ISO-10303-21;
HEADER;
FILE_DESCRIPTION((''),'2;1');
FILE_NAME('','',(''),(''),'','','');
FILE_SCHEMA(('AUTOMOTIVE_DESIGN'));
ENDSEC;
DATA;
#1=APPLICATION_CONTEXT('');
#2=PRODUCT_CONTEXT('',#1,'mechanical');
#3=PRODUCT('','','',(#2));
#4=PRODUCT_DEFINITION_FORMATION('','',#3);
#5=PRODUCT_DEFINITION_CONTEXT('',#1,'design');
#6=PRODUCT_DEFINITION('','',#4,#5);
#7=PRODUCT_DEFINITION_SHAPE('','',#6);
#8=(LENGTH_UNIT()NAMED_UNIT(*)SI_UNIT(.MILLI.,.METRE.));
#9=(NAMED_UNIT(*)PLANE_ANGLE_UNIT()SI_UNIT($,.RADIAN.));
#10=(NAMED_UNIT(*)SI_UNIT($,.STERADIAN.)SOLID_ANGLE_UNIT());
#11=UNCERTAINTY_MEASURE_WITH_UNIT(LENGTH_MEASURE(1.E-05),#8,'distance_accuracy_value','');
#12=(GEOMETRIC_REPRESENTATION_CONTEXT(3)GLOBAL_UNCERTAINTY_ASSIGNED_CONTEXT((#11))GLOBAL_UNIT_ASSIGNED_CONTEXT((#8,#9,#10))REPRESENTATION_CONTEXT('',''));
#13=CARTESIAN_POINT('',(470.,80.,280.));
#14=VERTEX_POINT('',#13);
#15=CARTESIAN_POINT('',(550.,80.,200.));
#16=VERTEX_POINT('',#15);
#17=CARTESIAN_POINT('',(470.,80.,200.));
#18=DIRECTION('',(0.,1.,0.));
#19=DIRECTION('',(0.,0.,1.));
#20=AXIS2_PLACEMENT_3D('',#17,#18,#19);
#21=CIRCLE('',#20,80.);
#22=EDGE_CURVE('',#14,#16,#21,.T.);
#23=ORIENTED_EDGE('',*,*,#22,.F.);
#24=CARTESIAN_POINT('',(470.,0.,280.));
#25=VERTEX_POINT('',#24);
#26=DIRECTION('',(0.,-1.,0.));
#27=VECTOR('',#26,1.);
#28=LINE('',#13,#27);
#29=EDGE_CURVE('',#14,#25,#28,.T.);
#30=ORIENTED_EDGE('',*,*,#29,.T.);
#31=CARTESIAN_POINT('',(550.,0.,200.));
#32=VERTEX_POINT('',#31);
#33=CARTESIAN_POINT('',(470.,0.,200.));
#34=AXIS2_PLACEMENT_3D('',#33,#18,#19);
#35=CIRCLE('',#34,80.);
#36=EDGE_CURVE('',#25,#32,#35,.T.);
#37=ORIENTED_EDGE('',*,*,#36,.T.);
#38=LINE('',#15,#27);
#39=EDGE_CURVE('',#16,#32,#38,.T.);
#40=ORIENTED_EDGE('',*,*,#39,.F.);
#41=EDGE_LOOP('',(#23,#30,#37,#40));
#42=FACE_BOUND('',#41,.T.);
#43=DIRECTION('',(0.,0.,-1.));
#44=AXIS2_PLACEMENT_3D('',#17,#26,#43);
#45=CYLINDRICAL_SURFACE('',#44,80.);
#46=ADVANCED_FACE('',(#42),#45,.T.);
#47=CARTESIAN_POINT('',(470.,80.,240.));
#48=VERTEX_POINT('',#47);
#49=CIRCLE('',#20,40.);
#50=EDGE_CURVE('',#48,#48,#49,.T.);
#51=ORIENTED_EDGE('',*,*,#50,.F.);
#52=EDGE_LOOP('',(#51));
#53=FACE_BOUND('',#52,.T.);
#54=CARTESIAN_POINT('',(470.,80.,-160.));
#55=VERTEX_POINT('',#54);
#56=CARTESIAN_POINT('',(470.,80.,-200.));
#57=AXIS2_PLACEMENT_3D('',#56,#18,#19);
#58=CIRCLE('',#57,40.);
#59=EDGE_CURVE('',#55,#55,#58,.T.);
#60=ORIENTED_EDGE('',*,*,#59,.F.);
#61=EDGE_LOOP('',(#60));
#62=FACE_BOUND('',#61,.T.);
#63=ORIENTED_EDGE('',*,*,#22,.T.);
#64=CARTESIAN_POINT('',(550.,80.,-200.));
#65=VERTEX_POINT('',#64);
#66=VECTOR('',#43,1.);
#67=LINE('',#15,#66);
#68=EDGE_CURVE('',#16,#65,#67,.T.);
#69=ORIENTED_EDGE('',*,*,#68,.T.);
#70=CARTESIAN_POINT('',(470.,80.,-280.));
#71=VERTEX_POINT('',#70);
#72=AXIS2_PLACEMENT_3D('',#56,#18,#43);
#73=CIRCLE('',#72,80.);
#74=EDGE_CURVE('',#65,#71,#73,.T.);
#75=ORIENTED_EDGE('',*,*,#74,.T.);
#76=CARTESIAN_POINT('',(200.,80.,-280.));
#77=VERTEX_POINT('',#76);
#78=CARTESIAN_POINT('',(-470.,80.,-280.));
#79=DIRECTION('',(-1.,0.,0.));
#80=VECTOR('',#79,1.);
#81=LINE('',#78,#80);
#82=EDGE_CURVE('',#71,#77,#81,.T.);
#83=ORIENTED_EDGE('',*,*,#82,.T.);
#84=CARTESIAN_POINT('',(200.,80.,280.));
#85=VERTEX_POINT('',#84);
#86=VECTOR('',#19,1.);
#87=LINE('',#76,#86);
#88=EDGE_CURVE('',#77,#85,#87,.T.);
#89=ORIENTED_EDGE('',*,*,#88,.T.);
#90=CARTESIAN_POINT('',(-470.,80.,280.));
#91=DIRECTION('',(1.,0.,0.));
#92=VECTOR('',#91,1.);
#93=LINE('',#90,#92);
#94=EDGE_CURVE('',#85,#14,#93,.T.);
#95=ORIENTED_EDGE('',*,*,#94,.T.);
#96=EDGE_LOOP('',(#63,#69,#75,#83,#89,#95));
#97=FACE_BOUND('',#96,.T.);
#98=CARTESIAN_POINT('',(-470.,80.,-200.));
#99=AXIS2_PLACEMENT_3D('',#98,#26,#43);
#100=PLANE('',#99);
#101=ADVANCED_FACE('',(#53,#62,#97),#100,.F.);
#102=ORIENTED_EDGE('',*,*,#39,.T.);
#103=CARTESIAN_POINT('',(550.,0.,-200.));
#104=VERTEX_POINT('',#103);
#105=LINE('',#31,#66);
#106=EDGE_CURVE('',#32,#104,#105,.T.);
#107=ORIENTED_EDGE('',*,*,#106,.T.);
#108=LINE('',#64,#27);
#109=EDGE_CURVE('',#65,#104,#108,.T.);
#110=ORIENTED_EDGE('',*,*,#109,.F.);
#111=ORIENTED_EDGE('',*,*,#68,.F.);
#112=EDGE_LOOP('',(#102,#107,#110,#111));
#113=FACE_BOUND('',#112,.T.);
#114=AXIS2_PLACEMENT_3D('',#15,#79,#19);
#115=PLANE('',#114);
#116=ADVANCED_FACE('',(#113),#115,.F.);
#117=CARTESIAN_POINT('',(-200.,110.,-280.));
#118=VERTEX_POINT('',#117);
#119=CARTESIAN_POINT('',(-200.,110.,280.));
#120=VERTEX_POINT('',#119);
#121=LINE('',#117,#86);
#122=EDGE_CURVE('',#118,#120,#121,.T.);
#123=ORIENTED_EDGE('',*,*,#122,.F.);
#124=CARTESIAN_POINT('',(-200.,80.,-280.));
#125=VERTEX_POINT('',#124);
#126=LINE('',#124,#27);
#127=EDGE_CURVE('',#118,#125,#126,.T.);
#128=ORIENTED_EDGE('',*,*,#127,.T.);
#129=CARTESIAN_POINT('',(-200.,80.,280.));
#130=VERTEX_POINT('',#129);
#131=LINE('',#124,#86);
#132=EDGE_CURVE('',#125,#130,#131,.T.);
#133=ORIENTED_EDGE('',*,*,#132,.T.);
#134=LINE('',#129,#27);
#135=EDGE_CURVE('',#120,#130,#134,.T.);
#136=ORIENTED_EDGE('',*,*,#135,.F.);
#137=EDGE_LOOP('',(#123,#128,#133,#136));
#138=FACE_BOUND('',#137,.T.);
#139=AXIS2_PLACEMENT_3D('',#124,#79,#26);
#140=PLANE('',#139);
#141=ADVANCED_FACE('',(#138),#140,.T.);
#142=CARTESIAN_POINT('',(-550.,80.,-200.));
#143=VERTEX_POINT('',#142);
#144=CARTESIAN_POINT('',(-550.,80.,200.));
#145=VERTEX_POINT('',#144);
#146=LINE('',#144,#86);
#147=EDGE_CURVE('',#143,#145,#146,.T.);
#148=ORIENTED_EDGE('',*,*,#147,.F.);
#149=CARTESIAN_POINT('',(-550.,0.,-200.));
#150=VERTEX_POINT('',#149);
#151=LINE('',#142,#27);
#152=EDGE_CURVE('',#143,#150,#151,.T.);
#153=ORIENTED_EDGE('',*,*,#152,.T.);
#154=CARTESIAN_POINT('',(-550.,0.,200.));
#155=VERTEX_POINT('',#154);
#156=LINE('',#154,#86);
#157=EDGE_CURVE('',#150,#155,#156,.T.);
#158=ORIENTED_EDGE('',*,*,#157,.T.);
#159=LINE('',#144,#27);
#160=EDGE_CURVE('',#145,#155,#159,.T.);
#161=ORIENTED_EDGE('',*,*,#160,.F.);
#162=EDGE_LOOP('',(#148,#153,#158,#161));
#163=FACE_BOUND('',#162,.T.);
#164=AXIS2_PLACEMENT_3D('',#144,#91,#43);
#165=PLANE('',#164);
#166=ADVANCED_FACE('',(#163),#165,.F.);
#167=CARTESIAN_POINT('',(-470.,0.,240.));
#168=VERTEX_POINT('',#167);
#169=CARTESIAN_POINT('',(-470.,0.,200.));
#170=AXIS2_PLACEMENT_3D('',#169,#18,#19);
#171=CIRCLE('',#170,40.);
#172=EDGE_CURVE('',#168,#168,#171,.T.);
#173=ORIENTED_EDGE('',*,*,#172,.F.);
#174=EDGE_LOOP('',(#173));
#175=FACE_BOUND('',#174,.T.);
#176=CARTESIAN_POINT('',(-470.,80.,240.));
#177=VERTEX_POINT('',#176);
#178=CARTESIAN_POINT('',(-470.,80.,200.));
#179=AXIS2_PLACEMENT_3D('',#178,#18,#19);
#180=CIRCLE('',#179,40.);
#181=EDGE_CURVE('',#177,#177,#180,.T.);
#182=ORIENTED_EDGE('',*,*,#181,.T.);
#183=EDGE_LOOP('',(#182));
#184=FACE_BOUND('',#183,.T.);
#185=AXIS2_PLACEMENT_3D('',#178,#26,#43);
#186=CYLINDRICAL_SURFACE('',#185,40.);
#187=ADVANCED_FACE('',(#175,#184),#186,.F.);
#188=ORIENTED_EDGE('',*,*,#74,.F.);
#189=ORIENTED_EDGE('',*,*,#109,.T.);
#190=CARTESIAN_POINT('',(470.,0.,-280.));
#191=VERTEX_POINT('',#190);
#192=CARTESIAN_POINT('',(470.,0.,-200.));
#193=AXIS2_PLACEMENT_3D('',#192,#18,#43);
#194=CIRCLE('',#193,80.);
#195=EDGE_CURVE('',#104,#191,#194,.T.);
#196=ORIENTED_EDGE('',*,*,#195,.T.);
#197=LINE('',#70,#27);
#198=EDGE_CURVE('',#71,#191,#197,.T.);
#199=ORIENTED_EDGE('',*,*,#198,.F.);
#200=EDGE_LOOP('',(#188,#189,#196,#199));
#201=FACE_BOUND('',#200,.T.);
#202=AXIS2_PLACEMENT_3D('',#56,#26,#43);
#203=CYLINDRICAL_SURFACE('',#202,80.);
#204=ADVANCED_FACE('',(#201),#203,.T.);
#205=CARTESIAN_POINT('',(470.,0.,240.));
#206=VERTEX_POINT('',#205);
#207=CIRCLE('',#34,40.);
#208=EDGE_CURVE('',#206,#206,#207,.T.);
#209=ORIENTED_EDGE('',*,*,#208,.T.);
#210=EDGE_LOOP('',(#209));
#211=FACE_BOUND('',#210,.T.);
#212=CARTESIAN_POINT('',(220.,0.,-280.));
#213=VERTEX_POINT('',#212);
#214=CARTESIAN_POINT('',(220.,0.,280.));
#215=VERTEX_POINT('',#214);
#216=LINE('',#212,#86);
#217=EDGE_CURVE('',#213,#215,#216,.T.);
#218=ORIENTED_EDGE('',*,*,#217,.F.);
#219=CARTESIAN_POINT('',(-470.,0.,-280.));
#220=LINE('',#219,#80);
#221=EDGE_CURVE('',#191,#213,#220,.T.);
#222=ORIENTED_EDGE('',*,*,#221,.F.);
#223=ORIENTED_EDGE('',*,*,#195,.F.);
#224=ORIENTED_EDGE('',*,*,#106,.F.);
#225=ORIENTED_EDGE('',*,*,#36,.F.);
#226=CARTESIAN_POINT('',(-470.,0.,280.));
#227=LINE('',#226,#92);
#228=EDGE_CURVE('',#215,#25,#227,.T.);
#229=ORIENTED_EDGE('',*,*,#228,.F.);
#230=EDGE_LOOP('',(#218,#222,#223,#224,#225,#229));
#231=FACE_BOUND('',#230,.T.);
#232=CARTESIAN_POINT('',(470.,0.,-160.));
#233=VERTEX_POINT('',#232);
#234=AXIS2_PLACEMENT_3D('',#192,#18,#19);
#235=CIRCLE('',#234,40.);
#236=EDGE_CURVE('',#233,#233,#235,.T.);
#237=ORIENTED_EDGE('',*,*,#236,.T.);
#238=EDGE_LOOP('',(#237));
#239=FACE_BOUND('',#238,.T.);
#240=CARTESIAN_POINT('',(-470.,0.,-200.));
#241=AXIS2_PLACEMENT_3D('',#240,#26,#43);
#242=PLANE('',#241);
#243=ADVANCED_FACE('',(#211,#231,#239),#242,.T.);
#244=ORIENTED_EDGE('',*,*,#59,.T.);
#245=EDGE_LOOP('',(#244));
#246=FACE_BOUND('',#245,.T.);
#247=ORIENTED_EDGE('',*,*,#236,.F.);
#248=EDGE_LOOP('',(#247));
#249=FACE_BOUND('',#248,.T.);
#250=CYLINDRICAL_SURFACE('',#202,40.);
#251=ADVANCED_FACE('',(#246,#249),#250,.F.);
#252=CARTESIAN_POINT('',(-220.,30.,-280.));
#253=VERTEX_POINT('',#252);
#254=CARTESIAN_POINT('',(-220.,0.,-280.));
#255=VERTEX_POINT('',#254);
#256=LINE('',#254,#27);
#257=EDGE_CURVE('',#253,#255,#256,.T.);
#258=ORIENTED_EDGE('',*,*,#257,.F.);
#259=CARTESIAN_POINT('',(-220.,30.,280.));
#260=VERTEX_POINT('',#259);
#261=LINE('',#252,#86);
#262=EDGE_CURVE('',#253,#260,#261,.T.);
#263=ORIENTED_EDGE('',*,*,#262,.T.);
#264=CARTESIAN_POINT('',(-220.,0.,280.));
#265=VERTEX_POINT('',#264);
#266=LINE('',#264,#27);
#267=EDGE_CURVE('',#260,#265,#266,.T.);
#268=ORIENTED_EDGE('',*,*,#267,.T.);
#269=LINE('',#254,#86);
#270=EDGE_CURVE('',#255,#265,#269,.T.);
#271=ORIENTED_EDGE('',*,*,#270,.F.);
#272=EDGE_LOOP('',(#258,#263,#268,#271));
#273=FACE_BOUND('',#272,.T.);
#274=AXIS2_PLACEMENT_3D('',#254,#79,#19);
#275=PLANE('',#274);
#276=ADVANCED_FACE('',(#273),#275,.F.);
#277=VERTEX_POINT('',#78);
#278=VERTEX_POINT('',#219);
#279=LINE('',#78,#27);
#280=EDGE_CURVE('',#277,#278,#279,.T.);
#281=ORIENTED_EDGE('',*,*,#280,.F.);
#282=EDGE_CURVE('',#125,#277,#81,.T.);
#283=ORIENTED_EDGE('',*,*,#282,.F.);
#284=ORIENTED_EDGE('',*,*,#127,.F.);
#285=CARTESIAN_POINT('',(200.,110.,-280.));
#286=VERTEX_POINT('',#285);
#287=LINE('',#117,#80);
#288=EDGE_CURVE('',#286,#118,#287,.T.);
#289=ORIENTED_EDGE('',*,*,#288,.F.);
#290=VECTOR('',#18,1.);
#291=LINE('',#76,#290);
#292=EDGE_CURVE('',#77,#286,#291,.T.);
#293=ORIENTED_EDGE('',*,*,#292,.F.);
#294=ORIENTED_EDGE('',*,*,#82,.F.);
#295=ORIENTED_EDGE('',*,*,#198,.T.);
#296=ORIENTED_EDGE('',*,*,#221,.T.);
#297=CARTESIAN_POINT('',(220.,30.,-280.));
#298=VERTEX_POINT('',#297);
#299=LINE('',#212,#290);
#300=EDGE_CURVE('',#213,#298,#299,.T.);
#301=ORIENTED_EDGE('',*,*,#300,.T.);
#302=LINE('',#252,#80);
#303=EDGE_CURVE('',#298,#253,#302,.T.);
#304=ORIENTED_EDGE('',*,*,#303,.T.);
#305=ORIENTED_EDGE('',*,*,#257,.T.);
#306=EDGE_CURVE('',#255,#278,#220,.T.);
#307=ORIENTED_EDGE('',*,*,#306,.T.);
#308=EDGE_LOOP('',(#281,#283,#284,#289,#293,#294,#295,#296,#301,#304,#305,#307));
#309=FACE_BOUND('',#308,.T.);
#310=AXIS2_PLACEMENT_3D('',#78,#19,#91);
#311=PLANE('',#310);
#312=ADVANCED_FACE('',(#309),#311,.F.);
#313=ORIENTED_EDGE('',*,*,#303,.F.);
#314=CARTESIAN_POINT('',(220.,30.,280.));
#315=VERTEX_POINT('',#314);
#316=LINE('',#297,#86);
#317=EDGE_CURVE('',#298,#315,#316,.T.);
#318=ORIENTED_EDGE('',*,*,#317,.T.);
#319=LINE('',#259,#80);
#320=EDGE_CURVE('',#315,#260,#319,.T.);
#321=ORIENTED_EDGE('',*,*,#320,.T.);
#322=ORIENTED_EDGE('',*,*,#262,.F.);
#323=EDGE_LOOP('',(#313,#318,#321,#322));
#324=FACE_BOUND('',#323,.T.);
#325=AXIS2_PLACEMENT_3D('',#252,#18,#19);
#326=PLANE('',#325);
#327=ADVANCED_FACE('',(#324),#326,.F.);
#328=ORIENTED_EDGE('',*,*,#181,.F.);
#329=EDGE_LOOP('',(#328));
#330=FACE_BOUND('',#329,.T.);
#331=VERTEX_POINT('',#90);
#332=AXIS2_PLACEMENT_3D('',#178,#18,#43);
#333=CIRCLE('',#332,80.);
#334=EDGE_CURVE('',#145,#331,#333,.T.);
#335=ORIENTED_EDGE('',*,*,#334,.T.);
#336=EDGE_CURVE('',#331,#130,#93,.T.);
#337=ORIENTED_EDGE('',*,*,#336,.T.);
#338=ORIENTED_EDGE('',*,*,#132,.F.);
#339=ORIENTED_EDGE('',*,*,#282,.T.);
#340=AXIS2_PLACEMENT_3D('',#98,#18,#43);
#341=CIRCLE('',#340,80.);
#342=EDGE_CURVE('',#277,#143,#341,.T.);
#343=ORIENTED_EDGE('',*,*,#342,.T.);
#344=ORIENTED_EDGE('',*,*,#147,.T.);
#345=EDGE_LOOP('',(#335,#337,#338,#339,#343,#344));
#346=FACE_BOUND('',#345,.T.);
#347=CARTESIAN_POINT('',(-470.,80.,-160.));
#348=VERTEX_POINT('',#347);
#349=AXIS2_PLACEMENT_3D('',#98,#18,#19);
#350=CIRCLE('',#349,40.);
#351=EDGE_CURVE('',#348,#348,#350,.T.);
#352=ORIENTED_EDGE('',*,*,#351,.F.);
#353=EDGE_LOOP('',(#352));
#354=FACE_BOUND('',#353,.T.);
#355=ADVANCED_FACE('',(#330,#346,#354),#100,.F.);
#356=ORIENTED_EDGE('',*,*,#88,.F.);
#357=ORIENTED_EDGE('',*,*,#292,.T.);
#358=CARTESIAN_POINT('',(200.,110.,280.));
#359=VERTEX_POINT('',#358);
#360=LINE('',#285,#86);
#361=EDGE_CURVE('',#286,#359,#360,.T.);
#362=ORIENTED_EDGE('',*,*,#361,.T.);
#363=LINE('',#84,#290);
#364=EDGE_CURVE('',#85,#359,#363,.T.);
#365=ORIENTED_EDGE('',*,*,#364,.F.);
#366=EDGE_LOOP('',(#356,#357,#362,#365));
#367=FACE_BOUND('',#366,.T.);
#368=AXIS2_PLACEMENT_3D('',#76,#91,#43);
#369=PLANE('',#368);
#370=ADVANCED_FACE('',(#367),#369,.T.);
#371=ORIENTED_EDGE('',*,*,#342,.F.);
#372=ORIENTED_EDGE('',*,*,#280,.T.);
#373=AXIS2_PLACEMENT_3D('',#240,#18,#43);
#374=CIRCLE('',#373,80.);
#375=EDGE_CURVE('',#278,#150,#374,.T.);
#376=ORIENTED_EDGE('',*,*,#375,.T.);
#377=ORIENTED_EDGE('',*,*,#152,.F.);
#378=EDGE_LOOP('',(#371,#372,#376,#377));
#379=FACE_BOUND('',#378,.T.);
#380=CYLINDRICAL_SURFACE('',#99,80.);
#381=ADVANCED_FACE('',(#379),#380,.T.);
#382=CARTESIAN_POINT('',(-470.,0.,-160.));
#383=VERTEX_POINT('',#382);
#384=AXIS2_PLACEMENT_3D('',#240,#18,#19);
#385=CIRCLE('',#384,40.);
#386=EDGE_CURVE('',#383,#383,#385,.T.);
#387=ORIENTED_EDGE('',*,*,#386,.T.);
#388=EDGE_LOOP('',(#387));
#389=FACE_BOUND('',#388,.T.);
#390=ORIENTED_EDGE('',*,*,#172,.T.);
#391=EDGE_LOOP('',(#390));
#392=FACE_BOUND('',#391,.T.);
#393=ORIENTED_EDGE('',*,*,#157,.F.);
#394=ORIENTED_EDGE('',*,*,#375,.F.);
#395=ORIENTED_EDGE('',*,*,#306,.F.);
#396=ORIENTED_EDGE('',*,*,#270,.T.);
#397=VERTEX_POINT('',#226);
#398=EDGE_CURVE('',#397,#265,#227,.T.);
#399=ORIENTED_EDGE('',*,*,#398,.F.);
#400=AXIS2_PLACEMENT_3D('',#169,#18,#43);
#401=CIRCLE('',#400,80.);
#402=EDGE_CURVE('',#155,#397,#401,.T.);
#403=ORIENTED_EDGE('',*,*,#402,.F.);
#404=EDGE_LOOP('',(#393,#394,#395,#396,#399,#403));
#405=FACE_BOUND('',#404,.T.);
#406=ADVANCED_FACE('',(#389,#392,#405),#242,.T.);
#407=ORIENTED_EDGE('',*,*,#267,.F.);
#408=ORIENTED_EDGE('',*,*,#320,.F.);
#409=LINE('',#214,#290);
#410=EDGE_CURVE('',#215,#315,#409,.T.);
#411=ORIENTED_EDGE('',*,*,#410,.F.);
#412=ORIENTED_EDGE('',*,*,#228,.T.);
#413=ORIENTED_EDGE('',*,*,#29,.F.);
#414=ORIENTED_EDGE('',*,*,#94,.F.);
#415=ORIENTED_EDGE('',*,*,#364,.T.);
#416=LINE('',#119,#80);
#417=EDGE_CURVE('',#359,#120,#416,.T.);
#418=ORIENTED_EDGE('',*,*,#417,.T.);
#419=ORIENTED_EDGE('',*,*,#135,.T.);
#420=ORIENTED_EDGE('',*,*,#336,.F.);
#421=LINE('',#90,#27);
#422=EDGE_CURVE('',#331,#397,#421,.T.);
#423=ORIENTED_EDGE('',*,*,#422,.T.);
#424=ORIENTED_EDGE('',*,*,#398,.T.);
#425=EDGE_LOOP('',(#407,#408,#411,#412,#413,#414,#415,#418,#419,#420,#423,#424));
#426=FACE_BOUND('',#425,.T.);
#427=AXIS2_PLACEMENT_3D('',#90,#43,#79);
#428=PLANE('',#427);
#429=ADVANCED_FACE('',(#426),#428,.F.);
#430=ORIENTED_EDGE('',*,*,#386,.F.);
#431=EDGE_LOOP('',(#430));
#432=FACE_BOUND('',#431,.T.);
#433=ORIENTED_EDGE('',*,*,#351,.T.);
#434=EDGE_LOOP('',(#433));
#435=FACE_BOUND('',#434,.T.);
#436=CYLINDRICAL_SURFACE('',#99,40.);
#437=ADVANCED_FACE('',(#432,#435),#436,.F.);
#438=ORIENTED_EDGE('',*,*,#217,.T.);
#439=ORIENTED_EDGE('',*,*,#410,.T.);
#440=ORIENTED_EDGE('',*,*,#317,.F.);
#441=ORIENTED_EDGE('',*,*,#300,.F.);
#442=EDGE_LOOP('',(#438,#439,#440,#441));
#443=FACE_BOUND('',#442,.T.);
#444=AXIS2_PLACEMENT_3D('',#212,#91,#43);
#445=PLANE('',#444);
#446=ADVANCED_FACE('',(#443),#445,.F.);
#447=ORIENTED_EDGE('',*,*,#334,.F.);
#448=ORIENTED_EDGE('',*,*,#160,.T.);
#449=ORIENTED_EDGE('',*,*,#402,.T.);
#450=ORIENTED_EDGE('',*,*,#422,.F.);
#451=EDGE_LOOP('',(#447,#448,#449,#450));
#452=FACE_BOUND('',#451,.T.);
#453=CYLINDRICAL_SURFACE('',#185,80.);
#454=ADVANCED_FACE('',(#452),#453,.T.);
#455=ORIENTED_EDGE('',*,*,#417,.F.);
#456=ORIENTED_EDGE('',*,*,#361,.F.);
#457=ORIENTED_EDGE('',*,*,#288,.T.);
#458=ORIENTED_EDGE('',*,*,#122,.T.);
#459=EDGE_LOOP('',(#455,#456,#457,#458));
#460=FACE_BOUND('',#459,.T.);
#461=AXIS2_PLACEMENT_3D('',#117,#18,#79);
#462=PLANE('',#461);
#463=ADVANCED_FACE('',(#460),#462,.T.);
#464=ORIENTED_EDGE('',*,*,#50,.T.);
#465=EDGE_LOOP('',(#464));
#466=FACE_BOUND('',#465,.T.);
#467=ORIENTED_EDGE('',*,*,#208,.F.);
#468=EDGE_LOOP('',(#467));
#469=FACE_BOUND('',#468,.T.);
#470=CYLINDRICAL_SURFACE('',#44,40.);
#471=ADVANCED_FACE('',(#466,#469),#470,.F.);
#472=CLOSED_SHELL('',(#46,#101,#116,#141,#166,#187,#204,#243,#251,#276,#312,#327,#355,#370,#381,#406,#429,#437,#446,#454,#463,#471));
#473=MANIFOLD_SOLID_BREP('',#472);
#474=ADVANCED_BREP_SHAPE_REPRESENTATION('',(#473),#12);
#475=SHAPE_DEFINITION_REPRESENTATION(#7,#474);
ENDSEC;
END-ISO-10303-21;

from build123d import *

# Parameters (mm, degrees)
IZIM1_R                     = 40
Y_KSEKLIK_EKSTR_ZYON1_DEPTH = 80
IZIM2_W                     = 440
IZIM2_H                     = 30
KES_EKSTR_ZYON1_DEPTH       = 789.986691903
IZIM3_W                     = 400
IZIM3_H                     = 30
Y_KSEKLIK_EKSTR_ZYON2_DEPTH = 560


with BuildPart() as part:
    # Çizim1 → Yükseklik-Ekstrüzyon1 (new body)
    with BuildSketch(Plane(origin=(0, 0, 0), x_dir=(1, 0, 0), z_dir=(0, 1, 0))):
        with BuildLine():
            Line((-470, -280), (470, -280))
            ThreePointArc((470, -280), (526.568542495, -256.568542495), (550, -200))
            Line((550, -200), (550, 200))
            ThreePointArc((550, 200), (526.568542495, 256.568542495), (470, 280))
            Line((470, 280), (-470, 280))
            ThreePointArc((-470, 280), (-526.568542495, 256.568542495), (-550, 200))
            Line((-550, 200), (-550, -200))
            ThreePointArc((-550, -200), (-526.568542495, -256.568542495), (-470, -280))
        make_face()
        with Locations(Location((-470, 200, 0), (0, 0, 270))):
            Circle(IZIM1_R, mode=Mode.SUBTRACT)
        with Locations(Location((-470, -200, 0), (0, 0, 270))):
            Circle(IZIM1_R, mode=Mode.SUBTRACT)
        with Locations(Location((470, -200, 0), (0, 0, 270))):
            Circle(IZIM1_R, mode=Mode.SUBTRACT)
        with Locations(Location((470, 200, 0), (0, 0, 270))):
            Circle(IZIM1_R, mode=Mode.SUBTRACT)
    extrude(amount=Y_KSEKLIK_EKSTR_ZYON1_DEPTH)

    # Çizim2 → Kes-Ekstrüzyon1 (cut, through all)
    with BuildSketch(Plane.XY.offset(280)):
        with Locations((0, 15)):
            Rectangle(IZIM2_W, IZIM2_H)
    extrude(amount=-KES_EKSTR_ZYON1_DEPTH, mode=Mode.SUBTRACT)

    # Çizim3 → Yükseklik-Ekstrüzyon2 (add)
    with BuildSketch(Plane.XY.offset(280)):
        with Locations((0, 95)):
            Rectangle(IZIM3_W, IZIM3_H)
    extrude(amount=-Y_KSEKLIK_EKSTR_ZYON2_DEPTH)


solid = part.part
